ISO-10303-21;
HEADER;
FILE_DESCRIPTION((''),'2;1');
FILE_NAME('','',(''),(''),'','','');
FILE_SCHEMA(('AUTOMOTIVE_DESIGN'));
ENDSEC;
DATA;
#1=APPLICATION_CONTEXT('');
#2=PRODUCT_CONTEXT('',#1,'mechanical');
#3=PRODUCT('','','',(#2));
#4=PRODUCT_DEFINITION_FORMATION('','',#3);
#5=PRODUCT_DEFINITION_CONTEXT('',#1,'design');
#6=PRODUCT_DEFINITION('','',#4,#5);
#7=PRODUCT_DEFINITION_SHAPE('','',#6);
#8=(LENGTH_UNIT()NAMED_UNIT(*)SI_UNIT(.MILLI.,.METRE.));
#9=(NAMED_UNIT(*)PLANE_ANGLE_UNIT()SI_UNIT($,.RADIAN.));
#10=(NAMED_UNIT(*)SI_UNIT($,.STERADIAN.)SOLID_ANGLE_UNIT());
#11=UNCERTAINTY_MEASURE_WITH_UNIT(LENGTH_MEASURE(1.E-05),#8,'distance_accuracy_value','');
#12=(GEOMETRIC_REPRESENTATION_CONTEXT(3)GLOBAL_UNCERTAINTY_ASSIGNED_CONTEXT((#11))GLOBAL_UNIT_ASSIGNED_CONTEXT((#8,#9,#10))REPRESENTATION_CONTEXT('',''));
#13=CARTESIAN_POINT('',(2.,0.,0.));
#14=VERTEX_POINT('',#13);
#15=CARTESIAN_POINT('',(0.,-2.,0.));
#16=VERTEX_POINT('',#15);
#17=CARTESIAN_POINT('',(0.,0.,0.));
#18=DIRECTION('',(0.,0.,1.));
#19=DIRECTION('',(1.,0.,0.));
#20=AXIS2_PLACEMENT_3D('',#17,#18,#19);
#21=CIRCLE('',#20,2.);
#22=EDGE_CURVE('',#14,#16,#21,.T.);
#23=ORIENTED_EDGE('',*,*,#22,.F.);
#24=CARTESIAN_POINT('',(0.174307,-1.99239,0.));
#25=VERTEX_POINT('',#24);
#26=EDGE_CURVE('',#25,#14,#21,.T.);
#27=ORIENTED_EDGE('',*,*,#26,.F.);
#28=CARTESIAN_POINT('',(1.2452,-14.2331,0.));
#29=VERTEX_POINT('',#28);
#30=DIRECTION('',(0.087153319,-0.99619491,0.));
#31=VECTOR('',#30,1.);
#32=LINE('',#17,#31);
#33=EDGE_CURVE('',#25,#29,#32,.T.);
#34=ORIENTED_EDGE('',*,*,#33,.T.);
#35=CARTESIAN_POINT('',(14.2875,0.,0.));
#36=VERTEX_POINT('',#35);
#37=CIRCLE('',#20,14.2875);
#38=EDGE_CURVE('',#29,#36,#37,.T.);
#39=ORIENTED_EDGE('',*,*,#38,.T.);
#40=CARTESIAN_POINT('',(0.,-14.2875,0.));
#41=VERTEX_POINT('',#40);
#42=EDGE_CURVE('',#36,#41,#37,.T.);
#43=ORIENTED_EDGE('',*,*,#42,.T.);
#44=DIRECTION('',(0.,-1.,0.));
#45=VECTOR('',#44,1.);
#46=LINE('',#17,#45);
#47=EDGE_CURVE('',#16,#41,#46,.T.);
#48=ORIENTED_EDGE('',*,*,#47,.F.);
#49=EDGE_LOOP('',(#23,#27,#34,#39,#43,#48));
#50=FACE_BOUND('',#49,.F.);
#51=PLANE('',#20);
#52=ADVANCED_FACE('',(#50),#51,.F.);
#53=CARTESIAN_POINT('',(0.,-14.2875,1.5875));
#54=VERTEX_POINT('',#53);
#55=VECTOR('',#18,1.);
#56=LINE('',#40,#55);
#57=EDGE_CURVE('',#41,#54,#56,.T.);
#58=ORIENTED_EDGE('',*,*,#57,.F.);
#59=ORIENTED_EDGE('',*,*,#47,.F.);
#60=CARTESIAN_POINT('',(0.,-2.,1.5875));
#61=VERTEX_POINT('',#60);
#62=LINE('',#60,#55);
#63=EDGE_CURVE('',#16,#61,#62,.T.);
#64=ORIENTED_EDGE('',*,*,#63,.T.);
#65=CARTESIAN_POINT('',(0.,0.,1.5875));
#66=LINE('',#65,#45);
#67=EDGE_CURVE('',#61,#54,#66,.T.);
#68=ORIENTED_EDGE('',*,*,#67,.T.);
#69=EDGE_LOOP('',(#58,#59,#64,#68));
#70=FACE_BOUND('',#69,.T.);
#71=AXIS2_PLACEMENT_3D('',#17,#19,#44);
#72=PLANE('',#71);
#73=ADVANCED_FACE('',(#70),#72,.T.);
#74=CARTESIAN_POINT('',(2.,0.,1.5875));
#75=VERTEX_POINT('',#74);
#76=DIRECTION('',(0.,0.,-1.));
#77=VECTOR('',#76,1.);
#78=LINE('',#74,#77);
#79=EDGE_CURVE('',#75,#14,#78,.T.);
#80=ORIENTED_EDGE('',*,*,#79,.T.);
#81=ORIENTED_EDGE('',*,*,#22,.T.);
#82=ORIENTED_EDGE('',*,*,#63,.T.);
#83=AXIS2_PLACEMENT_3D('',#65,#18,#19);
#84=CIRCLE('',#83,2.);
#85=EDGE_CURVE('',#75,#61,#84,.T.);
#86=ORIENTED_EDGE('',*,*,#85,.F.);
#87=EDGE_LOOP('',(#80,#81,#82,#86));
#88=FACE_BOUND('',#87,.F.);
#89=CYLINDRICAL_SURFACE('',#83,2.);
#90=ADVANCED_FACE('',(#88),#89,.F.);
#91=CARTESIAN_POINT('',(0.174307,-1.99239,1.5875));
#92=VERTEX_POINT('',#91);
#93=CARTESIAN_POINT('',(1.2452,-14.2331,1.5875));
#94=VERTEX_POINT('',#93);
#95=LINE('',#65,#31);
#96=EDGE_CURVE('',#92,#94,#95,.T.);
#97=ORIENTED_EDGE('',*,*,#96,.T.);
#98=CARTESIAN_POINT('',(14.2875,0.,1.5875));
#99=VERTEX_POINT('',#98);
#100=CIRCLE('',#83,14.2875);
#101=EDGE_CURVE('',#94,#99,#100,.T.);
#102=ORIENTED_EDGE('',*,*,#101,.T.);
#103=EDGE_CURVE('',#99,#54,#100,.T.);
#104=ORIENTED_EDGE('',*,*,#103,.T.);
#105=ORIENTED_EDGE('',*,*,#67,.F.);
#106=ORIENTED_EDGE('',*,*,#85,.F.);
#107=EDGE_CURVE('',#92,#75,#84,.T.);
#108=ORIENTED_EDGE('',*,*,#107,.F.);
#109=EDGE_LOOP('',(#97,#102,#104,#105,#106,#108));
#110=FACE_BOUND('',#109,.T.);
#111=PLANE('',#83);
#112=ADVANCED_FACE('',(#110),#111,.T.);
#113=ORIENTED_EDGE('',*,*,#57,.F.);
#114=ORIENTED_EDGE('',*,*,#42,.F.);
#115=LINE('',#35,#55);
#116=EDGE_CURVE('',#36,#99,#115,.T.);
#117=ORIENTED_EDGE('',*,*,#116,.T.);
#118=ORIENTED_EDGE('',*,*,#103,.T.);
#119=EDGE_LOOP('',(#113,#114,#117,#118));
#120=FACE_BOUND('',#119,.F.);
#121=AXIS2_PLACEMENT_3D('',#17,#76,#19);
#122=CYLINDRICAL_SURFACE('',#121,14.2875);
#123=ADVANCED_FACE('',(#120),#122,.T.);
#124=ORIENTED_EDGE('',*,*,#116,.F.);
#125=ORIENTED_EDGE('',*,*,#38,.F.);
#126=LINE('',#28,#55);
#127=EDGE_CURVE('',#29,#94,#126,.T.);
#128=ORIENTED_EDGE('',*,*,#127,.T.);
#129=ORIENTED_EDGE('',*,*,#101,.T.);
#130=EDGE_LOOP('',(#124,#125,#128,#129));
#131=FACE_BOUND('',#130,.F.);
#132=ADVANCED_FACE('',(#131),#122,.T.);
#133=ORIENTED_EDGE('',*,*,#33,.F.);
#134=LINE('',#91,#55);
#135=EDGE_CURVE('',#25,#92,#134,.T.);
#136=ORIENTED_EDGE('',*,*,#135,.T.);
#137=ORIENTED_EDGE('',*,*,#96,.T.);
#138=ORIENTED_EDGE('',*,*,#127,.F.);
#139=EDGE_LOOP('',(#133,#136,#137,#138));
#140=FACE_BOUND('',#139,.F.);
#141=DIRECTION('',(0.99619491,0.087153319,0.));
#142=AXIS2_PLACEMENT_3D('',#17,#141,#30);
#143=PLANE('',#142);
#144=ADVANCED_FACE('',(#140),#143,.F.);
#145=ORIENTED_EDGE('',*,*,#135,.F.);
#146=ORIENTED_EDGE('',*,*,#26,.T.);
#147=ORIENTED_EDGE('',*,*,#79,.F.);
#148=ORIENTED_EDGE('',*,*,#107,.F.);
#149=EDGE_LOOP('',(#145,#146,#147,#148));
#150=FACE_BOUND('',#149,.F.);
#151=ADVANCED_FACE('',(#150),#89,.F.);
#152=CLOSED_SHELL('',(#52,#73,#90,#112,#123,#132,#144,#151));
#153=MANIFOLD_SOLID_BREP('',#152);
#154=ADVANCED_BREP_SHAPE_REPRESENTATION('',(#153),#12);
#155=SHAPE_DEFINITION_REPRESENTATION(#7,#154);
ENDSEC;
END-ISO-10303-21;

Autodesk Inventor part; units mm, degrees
ref_plane "YZ Plane" through (0, 0, 0) normal (1, 0, 0) x (0, 1, 0)
ref_plane "XZ Plane" through (0, 0, 0) normal (0, 1, 0) x (-1, 0, 0)
ref_plane "XY Plane" through (0, 0, 0) normal (0, 0, 1) x (1, 0, 0)
sketch "Sketch1" plane through (0, 0, 0) normal (0, 0, 1) x (1, 0, 0)
  circle A0 centre (0, 0) radius 14.2875
  line L0 (0, 0) -> (0, -14.2875)
  line L1 (0, 0) -> (1.2452, -14.2331)
  line L2 (0, 0) -> (14.2875, 0) construction
  dimension "d0" = 28.575
  dimension "d1" = 85
extrude "Extrusion1" add sketch "Sketch1" along normal blind 1.5875 contours A0 L1 L0 picked at (-1.1691, -9.3793)
sketch "Sketch2" plane through (0, 0, 1.5875) normal (0, 0, 1) x (1, 0, 0)
  circle A0 centre (0, 0) radius 2
  dimension "d4" = 4
extrude "Extrusion2" cut sketch "Sketch2" against normal blind 1.5875
properties part number "encoderDisc" material "ABS Plastic"
